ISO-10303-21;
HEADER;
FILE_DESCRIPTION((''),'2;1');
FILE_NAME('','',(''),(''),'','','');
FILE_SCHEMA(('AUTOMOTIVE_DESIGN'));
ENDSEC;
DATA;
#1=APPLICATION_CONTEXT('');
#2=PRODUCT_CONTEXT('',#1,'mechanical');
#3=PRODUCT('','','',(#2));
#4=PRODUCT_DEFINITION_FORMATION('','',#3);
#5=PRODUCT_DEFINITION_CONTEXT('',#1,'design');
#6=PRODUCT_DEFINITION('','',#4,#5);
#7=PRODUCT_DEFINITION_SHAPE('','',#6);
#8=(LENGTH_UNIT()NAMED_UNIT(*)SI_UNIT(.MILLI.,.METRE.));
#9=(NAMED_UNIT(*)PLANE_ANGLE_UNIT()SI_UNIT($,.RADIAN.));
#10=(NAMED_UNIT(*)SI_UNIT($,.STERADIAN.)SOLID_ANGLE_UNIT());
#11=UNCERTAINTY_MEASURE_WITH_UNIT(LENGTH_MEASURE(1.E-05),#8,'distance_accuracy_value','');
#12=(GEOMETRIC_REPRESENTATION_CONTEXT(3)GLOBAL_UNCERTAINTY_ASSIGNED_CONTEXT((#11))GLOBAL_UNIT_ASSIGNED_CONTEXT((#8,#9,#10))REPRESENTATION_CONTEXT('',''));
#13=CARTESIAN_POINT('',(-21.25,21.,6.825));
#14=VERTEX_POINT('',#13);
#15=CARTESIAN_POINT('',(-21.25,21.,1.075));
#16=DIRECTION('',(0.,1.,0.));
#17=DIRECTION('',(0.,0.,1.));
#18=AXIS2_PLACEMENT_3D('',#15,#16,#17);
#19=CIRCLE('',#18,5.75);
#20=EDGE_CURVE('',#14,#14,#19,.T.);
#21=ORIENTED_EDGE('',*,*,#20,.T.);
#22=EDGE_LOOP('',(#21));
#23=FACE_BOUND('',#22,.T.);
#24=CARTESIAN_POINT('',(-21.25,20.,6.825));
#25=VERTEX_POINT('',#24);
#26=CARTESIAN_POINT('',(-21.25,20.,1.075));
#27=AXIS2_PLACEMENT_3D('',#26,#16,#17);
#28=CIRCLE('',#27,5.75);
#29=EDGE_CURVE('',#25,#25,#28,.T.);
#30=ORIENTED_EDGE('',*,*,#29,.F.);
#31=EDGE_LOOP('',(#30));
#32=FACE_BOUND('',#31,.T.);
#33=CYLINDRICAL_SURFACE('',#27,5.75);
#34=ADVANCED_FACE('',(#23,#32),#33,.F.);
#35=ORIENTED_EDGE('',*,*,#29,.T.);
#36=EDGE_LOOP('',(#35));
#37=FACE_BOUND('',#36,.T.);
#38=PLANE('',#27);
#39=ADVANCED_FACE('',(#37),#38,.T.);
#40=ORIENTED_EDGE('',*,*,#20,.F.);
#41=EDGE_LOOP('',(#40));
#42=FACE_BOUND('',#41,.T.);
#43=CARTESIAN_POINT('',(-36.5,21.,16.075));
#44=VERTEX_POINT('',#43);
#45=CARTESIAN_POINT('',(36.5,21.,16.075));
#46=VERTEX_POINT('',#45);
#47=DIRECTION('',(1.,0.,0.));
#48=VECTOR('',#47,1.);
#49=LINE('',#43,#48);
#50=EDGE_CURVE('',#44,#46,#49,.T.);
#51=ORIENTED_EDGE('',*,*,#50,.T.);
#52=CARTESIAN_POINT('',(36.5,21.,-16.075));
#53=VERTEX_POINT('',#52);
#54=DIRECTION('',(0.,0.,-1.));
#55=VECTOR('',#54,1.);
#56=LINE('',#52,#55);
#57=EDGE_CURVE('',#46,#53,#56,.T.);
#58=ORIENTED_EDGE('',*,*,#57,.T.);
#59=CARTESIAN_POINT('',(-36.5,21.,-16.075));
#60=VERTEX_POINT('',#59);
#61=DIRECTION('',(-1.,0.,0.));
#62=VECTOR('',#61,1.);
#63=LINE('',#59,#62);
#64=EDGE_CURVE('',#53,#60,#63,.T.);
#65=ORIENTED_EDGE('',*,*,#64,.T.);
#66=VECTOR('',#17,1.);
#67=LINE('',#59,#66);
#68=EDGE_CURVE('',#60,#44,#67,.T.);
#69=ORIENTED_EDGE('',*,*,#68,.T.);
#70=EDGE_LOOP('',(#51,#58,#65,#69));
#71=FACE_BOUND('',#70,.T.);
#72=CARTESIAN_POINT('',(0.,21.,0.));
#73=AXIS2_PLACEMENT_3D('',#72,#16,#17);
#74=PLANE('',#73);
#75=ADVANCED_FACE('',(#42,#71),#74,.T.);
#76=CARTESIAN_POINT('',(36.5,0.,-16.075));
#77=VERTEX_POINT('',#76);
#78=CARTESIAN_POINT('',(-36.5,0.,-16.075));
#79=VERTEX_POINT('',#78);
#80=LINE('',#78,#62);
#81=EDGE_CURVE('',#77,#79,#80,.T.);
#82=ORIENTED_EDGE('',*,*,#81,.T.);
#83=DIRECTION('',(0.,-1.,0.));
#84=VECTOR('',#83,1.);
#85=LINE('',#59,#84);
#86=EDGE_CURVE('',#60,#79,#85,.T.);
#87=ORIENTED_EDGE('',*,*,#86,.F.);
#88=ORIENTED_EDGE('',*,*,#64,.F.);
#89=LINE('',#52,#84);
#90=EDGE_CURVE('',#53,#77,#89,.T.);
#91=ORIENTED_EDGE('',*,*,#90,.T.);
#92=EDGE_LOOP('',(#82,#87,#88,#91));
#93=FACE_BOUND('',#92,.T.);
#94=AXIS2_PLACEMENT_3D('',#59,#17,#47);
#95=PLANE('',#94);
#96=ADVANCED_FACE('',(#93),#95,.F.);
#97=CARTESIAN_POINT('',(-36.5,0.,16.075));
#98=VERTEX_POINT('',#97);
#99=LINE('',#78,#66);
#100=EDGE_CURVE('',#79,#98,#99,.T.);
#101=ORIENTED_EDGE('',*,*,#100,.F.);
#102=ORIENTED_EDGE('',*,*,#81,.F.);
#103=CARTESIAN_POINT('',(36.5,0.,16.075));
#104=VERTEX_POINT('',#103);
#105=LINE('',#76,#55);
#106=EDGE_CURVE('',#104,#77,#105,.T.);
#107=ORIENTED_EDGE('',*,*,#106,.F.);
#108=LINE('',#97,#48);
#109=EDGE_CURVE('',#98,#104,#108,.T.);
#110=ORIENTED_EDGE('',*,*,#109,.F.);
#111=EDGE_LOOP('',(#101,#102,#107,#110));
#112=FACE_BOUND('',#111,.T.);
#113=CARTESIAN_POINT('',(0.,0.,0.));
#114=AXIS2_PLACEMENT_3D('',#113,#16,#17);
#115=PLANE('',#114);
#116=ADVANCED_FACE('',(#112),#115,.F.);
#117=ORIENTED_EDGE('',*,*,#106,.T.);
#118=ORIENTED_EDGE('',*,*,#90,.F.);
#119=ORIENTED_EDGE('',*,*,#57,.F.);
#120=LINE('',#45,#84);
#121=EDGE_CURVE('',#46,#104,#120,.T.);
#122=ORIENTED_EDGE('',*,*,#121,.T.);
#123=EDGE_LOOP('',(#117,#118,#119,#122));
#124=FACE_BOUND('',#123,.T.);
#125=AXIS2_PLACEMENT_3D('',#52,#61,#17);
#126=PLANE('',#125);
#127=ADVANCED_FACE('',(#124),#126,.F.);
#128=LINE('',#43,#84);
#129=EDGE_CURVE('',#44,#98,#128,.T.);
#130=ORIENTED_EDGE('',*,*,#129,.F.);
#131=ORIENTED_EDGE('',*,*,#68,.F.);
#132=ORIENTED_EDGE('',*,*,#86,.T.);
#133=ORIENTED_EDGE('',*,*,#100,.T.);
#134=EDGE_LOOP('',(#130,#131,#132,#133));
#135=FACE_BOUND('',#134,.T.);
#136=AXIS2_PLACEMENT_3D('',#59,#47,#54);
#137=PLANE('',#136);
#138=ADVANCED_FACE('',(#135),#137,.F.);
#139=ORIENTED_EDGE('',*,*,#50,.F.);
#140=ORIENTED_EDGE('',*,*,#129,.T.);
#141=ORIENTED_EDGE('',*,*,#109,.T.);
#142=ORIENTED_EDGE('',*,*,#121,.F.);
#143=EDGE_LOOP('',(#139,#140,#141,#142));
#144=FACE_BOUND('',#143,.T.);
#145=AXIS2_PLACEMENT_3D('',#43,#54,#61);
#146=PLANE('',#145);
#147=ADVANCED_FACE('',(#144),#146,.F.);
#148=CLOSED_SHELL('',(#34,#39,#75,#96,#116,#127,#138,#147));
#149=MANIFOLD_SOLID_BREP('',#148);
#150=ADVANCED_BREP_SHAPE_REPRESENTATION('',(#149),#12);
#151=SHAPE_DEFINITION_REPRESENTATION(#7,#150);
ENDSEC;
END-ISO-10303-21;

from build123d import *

# Parameters (mm, degrees)
SKETCH1_W           = 73
SKETCH1_H           = 32.15
BOSS_EXTRUDE1_DEPTH = 21
SKETCH2_R           = 5.75
CUT_EXTRUDE1_DEPTH  = 1


with BuildPart() as part:
    # Sketch1 → Boss-Extrude1 (new body)
    with BuildSketch(Plane(origin=(0, 0, 0), x_dir=(1, 0, 0), z_dir=(0, 1, 0))):
        Rectangle(SKETCH1_W, SKETCH1_H)
    extrude(amount=BOSS_EXTRUDE1_DEPTH)

    # Sketch2 → Cut-Extrude1 (cut)
    with BuildSketch(Plane(origin=(0, 21, 0), x_dir=(1, 0, 0), z_dir=(0, 1, 0))):
        with Locations(Location((-21.25, -1.075, 0), (0, 0, 270))):
            Circle(SKETCH2_R)
    extrude(amount=-CUT_EXTRUDE1_DEPTH, mode=Mode.SUBTRACT)


solid = part.part
